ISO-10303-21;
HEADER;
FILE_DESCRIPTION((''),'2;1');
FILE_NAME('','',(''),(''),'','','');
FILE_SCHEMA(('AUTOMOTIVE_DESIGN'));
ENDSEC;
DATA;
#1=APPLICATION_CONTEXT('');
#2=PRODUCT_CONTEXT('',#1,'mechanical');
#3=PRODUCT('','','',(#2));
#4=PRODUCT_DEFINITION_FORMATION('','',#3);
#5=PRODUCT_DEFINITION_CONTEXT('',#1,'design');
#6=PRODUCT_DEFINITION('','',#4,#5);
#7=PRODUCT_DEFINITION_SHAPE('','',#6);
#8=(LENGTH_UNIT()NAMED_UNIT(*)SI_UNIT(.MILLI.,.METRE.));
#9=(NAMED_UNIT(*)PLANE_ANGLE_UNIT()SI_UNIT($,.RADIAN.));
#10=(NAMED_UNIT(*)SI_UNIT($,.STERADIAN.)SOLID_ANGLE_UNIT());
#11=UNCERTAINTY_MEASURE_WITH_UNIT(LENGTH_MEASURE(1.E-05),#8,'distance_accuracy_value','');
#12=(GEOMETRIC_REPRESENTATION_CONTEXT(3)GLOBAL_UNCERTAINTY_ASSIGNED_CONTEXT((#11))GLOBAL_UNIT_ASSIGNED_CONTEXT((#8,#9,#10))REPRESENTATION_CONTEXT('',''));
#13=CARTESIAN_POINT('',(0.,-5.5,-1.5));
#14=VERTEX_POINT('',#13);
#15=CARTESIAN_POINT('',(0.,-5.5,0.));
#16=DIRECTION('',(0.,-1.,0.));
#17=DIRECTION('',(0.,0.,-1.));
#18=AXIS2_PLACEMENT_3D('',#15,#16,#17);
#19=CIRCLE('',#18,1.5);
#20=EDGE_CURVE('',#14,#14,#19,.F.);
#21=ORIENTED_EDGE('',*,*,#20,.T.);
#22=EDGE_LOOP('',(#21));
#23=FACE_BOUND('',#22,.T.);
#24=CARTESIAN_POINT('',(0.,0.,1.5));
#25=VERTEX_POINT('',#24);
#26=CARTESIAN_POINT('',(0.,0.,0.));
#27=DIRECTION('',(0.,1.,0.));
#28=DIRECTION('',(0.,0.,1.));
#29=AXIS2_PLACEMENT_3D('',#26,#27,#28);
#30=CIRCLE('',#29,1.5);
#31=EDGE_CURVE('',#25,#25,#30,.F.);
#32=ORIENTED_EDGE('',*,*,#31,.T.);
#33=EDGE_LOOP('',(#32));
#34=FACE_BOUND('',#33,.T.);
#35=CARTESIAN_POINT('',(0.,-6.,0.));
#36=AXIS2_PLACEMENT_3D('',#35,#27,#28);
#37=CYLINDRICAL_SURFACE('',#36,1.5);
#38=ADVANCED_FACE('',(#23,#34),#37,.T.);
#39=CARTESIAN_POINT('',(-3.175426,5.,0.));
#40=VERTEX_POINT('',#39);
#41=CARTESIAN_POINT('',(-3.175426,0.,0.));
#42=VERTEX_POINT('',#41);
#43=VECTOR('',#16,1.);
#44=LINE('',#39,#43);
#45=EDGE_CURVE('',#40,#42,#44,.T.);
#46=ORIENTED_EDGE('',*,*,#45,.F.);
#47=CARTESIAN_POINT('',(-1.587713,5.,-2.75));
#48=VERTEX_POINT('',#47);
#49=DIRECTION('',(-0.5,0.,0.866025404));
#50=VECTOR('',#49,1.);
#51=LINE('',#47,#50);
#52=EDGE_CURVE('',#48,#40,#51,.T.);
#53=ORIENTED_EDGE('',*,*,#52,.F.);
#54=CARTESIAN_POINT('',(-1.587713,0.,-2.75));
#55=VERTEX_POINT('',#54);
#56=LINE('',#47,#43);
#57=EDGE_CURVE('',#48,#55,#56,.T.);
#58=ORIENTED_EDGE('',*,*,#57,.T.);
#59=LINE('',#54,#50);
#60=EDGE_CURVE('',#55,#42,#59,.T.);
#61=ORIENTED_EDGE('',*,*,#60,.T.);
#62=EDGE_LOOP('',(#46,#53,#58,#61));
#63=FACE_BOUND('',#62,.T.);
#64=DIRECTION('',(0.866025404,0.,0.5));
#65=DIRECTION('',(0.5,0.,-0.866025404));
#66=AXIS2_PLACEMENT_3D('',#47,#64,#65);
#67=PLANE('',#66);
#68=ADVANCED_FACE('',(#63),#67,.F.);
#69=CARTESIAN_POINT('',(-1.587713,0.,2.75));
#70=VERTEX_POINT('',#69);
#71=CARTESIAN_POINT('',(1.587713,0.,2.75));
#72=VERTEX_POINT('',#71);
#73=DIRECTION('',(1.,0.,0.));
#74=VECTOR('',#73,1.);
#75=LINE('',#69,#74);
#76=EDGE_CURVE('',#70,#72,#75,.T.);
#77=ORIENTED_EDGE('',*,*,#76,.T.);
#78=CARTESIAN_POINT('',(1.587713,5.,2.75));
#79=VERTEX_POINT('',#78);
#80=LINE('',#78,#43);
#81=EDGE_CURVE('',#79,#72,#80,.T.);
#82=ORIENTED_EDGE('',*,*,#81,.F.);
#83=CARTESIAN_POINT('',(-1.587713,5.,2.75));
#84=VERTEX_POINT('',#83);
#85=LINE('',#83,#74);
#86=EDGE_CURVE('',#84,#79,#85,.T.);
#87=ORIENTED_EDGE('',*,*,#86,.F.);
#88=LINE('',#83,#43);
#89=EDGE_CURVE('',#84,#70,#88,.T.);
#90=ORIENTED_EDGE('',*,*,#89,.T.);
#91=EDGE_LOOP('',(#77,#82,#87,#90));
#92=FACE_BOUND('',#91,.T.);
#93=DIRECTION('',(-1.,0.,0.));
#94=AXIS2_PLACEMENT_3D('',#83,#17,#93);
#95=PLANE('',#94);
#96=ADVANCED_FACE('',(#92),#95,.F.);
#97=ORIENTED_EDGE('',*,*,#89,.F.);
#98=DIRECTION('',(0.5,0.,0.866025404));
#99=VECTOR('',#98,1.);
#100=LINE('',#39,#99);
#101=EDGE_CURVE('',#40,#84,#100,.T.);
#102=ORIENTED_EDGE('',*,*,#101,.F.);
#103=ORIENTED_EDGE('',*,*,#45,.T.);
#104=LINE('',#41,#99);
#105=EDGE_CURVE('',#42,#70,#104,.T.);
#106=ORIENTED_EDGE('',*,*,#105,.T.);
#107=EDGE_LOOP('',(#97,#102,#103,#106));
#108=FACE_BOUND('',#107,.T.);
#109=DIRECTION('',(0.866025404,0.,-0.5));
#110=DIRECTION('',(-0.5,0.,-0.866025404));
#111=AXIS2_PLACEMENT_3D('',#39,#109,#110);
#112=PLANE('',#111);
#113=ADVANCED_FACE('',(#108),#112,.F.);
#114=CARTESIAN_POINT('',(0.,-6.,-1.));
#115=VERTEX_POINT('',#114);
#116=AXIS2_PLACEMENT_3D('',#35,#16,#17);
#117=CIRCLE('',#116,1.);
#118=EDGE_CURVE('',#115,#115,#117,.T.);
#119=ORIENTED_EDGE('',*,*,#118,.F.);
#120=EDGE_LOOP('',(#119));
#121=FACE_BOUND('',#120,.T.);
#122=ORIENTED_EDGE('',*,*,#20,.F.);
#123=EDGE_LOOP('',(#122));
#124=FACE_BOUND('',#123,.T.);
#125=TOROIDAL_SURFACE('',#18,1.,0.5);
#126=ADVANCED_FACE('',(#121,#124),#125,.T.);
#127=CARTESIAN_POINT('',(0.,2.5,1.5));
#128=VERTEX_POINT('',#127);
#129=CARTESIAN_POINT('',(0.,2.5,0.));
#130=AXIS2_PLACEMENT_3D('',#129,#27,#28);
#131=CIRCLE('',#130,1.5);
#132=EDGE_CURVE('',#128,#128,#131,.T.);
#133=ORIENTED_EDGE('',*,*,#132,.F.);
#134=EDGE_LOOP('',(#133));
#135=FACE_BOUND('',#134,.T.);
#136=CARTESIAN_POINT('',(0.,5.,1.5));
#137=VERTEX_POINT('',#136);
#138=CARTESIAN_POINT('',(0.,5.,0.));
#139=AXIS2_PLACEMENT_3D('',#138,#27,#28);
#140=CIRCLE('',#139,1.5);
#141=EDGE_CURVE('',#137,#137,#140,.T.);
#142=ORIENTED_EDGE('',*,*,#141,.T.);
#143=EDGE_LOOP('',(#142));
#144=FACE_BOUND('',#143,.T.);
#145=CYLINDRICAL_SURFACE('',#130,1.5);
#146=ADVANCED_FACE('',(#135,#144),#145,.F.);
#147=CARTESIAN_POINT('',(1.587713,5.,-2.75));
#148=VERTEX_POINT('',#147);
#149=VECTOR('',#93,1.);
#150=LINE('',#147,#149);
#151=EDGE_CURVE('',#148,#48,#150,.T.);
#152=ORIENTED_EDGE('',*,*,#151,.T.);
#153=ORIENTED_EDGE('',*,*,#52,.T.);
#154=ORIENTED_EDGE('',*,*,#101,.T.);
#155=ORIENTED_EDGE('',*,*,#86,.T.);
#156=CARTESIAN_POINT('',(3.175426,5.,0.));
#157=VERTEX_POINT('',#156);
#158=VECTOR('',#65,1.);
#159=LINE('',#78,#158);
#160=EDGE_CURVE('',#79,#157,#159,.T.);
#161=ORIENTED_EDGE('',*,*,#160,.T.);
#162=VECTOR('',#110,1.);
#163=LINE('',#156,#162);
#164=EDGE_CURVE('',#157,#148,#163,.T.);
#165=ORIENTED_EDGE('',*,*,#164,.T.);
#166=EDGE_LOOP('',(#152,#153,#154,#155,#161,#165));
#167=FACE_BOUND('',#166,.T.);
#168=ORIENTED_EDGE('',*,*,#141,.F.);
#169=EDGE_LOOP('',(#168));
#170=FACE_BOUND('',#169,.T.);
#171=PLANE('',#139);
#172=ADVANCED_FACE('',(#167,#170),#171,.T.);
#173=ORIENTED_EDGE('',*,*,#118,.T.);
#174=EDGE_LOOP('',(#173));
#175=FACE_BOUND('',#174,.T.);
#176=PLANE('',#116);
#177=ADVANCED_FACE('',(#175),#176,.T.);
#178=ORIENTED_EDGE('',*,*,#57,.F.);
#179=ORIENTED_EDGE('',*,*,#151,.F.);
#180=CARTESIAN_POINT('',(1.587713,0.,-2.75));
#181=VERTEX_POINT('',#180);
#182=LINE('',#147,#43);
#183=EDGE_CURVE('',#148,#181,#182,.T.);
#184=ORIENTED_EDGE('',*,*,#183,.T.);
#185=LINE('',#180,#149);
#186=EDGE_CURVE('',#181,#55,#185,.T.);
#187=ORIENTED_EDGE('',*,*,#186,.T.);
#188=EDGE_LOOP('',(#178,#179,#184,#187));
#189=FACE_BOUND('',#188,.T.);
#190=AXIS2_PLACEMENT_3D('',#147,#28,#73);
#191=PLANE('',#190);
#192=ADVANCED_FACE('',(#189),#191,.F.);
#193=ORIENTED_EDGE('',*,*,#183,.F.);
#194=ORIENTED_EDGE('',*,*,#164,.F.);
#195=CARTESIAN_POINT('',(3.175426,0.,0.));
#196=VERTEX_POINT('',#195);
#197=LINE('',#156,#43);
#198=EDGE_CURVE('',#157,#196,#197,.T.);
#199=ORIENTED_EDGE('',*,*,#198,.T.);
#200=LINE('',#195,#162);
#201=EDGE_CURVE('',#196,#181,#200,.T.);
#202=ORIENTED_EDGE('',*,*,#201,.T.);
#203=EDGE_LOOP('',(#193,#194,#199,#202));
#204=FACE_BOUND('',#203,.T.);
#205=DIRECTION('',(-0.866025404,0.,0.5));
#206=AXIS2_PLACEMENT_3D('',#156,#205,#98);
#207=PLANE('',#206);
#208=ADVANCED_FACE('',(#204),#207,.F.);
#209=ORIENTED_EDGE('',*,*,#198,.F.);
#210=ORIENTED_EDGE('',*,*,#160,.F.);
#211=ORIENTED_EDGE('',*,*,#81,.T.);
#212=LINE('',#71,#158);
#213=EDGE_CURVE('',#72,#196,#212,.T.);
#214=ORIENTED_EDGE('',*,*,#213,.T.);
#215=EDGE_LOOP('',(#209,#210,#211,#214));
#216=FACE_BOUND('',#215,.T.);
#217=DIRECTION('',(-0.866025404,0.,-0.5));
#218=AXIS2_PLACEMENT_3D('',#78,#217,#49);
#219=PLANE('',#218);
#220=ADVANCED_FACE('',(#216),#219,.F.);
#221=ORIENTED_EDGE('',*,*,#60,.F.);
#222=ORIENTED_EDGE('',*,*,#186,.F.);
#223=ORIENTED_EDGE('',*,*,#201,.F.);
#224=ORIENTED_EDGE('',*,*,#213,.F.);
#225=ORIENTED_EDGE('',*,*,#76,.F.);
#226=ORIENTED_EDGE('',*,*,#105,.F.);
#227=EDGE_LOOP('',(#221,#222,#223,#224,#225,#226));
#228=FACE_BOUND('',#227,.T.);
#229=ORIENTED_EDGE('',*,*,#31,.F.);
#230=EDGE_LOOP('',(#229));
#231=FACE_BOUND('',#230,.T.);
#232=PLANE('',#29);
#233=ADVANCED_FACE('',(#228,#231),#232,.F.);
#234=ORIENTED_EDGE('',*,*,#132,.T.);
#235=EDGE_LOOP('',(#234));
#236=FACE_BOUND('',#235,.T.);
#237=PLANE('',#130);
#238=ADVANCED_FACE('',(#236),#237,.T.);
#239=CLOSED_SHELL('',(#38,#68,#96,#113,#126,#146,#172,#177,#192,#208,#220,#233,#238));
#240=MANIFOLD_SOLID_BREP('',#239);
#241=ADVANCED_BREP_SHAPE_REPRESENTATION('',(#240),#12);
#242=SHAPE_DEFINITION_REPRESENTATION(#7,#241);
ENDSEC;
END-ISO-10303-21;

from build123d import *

# Parameters (mm, degrees)
BOSS_EXTRUDE1_DEPTH = 5
SKETCH2_R           = 1.5
BOSS_EXTRUDE2_DEPTH = 6
FILLET1_R           = 0.5
SKETCH3_R           = 1.5
CUT_EXTRUDE1_DEPTH  = 2.5


with BuildPart() as part:
    # Sketch1 → Boss-Extrude1 (new body)
    with BuildSketch(Plane(origin=(0, 0, 0), x_dir=(1, 0, 0), z_dir=(0, 1, 0))):
        Polygon((3.175426481, 0), (1.58771324, 2.75), (-1.58771324, 2.75), (-3.175426481, 0), (-1.58771324, -2.75), (1.58771324, -2.75), align=None)
    extrude(amount=BOSS_EXTRUDE1_DEPTH)

    # Sketch2 → Boss-Extrude2 (add)
    with BuildSketch(Plane.XZ):
        with Locations(Location((0, 0, 0), (0, 0, 90))):
            Circle(SKETCH2_R)
    extrude(amount=BOSS_EXTRUDE2_DEPTH)

    # Fillet1
    fillet1_edges = [part.edges().sort_by_distance(p)[0] for p in [
        (0, -6, -1.5),
    ]]
    fillet(fillet1_edges, radius=FILLET1_R)

    # Sketch3 → Cut-Extrude1 (cut)
    with BuildSketch(Plane(origin=(0, 5, 0), x_dir=(1, 0, 0), z_dir=(0, 1, 0))):
        with Locations(Location((0, 0, 0), (0, 0, 270))):
            Circle(SKETCH3_R)
    extrude(amount=-CUT_EXTRUDE1_DEPTH, mode=Mode.SUBTRACT)


solid = part.part
